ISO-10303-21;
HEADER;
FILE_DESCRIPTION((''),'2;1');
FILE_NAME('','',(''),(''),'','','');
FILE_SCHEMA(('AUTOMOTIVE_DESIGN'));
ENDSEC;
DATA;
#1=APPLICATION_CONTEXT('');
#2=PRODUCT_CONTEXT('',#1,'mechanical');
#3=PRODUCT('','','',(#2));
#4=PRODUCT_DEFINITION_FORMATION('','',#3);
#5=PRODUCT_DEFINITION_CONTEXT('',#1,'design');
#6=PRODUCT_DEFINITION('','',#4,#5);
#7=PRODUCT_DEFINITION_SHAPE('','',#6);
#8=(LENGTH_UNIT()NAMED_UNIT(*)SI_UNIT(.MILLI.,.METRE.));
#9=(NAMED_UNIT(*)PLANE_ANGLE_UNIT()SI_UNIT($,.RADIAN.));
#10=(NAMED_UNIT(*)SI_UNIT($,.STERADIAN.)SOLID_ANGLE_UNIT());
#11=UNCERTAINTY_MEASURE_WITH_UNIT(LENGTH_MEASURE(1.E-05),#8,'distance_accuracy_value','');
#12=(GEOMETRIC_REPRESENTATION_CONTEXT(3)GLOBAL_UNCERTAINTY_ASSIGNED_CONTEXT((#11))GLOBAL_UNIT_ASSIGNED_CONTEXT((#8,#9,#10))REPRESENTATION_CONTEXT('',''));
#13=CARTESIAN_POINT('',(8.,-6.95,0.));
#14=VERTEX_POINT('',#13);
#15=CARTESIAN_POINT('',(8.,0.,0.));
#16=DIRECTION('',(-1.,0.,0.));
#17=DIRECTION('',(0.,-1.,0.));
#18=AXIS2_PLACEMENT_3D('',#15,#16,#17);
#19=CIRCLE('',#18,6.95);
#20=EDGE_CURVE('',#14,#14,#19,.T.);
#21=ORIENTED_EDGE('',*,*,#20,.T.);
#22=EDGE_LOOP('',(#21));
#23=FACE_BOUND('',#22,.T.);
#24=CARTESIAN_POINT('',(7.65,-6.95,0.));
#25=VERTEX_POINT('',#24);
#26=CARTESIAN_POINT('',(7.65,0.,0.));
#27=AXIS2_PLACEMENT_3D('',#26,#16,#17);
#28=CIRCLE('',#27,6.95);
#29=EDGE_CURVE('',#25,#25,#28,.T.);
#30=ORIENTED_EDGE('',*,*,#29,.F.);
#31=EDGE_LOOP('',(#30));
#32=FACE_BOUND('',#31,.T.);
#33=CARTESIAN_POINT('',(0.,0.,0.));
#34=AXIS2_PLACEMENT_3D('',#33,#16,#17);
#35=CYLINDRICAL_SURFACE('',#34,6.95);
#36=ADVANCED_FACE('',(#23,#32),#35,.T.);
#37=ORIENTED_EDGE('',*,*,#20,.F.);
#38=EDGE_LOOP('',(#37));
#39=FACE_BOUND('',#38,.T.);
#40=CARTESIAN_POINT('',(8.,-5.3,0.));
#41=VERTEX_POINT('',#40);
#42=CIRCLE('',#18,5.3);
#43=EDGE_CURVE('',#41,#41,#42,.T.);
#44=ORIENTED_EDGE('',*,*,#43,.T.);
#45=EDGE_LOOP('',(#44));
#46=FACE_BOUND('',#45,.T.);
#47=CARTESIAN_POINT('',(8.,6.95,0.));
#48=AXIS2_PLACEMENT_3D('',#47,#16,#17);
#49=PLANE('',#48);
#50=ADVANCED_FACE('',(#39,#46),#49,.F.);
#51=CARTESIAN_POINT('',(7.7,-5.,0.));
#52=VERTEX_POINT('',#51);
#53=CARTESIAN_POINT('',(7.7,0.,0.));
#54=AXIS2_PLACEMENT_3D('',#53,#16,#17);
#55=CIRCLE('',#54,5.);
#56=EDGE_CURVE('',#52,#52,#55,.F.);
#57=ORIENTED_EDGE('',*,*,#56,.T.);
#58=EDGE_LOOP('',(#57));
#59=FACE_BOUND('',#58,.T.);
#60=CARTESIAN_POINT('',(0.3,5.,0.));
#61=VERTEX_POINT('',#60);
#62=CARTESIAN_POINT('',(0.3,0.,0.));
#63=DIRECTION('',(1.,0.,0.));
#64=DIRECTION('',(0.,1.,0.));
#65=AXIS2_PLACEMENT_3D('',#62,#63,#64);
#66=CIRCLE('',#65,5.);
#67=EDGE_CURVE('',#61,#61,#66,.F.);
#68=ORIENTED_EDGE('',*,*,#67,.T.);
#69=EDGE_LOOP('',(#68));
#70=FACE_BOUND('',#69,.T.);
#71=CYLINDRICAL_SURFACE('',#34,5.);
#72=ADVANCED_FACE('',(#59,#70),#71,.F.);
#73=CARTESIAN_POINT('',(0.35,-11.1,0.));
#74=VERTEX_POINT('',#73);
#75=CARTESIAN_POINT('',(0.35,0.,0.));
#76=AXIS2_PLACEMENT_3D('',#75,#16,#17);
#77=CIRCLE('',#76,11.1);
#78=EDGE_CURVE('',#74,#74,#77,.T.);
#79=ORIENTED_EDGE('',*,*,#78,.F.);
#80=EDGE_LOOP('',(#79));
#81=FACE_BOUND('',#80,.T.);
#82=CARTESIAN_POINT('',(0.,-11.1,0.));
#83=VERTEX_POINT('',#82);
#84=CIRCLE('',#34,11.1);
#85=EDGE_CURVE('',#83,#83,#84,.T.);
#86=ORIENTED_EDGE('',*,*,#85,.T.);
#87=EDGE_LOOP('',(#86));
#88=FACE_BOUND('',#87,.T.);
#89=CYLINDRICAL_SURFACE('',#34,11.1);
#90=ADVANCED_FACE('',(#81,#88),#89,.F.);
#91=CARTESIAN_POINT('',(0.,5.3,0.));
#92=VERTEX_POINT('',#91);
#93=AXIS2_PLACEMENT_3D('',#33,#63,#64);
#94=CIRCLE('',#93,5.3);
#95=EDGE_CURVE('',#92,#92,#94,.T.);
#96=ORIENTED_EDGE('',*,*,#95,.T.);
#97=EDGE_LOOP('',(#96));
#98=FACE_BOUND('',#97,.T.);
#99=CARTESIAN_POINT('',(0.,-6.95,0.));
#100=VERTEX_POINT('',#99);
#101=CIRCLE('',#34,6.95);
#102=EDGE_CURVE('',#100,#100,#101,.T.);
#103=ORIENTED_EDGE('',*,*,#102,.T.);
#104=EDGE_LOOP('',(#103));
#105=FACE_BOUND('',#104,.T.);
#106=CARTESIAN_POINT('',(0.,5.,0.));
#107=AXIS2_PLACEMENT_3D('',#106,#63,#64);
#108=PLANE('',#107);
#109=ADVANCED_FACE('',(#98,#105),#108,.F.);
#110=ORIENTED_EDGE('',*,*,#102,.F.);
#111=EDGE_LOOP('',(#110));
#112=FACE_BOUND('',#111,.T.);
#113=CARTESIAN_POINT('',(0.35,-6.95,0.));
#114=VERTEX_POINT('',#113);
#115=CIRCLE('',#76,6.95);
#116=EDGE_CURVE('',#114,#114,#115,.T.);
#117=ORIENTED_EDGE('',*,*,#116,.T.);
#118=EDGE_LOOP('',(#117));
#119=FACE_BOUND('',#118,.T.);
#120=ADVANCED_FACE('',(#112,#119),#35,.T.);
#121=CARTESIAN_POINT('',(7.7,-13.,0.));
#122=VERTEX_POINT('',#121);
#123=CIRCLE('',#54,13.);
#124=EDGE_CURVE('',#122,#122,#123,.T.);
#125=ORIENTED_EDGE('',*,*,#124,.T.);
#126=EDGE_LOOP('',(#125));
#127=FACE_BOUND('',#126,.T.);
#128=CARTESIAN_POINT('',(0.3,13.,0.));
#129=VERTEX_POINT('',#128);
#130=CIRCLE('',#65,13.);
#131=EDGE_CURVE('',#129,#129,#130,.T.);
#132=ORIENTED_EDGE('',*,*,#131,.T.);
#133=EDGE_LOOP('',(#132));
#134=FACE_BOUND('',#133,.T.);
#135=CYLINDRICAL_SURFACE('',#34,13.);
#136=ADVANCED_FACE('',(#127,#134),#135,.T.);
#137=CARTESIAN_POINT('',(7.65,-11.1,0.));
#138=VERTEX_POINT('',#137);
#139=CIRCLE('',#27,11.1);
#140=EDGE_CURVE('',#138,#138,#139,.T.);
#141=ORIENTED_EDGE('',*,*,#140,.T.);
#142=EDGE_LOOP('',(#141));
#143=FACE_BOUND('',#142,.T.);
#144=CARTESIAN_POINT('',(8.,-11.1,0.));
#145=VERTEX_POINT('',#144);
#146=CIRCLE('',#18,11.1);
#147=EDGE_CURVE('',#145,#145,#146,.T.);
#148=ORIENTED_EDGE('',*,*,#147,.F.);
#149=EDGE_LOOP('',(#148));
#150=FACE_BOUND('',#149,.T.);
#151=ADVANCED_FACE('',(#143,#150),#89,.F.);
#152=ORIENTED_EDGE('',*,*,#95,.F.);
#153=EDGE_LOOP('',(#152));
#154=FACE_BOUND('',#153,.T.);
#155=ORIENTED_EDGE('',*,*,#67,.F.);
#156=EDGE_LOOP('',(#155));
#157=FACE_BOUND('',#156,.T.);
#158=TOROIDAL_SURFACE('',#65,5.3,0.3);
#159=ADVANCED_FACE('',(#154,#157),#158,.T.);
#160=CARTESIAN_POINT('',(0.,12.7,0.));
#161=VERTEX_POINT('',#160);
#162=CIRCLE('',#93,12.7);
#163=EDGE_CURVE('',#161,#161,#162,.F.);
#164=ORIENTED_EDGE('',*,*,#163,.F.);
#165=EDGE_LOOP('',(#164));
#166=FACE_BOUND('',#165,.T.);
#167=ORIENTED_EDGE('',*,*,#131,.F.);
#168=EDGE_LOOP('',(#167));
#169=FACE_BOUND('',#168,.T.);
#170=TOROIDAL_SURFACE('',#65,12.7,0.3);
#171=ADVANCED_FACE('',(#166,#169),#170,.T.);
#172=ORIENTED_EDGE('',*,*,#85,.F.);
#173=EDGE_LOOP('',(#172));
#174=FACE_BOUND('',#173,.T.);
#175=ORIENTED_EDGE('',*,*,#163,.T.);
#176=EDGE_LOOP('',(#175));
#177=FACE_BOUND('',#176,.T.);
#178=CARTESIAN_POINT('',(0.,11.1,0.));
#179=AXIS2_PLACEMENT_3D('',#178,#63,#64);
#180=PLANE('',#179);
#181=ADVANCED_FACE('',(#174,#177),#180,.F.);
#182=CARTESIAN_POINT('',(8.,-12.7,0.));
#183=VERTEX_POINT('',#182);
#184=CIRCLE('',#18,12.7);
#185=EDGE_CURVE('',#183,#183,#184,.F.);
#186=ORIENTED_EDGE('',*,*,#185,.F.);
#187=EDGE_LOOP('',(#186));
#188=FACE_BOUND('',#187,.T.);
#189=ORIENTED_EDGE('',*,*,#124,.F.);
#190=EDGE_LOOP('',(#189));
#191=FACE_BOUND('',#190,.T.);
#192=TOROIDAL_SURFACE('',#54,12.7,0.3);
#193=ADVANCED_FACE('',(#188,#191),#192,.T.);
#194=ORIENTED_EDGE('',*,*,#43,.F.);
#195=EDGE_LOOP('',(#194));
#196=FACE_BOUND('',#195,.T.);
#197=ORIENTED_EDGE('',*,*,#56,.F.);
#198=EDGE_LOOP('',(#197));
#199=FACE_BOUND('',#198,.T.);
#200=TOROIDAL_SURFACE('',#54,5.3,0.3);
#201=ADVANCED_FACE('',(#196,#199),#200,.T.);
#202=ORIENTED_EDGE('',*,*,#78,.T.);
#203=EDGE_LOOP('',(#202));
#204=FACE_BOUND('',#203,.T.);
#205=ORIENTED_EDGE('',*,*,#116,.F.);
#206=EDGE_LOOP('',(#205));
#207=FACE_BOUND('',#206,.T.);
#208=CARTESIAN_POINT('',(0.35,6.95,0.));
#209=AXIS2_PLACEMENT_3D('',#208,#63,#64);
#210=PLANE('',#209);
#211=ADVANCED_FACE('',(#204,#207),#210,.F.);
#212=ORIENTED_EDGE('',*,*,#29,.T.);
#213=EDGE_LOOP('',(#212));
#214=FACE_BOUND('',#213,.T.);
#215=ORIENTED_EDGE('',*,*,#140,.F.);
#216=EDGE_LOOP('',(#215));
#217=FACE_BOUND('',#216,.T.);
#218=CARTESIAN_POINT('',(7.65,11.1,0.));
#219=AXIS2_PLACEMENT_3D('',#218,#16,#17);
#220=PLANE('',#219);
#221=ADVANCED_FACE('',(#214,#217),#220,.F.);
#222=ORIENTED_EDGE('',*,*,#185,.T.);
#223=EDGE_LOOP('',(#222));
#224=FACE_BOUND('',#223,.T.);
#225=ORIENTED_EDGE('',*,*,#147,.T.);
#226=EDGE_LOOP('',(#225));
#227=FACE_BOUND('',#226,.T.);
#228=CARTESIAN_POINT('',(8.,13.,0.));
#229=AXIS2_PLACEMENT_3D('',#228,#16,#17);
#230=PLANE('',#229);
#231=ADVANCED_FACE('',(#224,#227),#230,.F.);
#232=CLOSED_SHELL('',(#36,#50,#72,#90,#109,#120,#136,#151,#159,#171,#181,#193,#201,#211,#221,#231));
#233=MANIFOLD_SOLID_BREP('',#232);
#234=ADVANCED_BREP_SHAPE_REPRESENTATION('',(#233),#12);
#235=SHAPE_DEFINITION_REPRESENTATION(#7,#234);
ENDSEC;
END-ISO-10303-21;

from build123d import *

# Parameters (mm, degrees)
FILLET1_R = 0.3


with BuildPart() as part:
    # Sketch1 → Revolve1 (revolve)
    with BuildSketch(Plane.XY, mode=Mode.PRIVATE) as revolve1_sk:
        Polygon((0, 5), (0, 6.95), (0.35, 6.95), (0.35, 11.1), (0, 11.1), (0, 13), (8, 13), (8, 11.1), (7.65, 11.1), (7.65, 6.95), (8, 6.95), (8, 5), align=None)
    revolve(revolve1_sk.sketch.rotate(Axis((0, 0, 0), (1, 0, 0)), 180), axis=Axis((0, 0, 0), (1, 0, 0)))

    # Fillet1
    fillet1_edges = [part.edges().sort_by_distance(p)[0] for p in [
        (8, 13, 0),
        (0, 13, 0),
        (0, 5, 0),
        (8, 5, 0),
    ]]
    fillet(fillet1_edges, radius=FILLET1_R)


solid = part.part
